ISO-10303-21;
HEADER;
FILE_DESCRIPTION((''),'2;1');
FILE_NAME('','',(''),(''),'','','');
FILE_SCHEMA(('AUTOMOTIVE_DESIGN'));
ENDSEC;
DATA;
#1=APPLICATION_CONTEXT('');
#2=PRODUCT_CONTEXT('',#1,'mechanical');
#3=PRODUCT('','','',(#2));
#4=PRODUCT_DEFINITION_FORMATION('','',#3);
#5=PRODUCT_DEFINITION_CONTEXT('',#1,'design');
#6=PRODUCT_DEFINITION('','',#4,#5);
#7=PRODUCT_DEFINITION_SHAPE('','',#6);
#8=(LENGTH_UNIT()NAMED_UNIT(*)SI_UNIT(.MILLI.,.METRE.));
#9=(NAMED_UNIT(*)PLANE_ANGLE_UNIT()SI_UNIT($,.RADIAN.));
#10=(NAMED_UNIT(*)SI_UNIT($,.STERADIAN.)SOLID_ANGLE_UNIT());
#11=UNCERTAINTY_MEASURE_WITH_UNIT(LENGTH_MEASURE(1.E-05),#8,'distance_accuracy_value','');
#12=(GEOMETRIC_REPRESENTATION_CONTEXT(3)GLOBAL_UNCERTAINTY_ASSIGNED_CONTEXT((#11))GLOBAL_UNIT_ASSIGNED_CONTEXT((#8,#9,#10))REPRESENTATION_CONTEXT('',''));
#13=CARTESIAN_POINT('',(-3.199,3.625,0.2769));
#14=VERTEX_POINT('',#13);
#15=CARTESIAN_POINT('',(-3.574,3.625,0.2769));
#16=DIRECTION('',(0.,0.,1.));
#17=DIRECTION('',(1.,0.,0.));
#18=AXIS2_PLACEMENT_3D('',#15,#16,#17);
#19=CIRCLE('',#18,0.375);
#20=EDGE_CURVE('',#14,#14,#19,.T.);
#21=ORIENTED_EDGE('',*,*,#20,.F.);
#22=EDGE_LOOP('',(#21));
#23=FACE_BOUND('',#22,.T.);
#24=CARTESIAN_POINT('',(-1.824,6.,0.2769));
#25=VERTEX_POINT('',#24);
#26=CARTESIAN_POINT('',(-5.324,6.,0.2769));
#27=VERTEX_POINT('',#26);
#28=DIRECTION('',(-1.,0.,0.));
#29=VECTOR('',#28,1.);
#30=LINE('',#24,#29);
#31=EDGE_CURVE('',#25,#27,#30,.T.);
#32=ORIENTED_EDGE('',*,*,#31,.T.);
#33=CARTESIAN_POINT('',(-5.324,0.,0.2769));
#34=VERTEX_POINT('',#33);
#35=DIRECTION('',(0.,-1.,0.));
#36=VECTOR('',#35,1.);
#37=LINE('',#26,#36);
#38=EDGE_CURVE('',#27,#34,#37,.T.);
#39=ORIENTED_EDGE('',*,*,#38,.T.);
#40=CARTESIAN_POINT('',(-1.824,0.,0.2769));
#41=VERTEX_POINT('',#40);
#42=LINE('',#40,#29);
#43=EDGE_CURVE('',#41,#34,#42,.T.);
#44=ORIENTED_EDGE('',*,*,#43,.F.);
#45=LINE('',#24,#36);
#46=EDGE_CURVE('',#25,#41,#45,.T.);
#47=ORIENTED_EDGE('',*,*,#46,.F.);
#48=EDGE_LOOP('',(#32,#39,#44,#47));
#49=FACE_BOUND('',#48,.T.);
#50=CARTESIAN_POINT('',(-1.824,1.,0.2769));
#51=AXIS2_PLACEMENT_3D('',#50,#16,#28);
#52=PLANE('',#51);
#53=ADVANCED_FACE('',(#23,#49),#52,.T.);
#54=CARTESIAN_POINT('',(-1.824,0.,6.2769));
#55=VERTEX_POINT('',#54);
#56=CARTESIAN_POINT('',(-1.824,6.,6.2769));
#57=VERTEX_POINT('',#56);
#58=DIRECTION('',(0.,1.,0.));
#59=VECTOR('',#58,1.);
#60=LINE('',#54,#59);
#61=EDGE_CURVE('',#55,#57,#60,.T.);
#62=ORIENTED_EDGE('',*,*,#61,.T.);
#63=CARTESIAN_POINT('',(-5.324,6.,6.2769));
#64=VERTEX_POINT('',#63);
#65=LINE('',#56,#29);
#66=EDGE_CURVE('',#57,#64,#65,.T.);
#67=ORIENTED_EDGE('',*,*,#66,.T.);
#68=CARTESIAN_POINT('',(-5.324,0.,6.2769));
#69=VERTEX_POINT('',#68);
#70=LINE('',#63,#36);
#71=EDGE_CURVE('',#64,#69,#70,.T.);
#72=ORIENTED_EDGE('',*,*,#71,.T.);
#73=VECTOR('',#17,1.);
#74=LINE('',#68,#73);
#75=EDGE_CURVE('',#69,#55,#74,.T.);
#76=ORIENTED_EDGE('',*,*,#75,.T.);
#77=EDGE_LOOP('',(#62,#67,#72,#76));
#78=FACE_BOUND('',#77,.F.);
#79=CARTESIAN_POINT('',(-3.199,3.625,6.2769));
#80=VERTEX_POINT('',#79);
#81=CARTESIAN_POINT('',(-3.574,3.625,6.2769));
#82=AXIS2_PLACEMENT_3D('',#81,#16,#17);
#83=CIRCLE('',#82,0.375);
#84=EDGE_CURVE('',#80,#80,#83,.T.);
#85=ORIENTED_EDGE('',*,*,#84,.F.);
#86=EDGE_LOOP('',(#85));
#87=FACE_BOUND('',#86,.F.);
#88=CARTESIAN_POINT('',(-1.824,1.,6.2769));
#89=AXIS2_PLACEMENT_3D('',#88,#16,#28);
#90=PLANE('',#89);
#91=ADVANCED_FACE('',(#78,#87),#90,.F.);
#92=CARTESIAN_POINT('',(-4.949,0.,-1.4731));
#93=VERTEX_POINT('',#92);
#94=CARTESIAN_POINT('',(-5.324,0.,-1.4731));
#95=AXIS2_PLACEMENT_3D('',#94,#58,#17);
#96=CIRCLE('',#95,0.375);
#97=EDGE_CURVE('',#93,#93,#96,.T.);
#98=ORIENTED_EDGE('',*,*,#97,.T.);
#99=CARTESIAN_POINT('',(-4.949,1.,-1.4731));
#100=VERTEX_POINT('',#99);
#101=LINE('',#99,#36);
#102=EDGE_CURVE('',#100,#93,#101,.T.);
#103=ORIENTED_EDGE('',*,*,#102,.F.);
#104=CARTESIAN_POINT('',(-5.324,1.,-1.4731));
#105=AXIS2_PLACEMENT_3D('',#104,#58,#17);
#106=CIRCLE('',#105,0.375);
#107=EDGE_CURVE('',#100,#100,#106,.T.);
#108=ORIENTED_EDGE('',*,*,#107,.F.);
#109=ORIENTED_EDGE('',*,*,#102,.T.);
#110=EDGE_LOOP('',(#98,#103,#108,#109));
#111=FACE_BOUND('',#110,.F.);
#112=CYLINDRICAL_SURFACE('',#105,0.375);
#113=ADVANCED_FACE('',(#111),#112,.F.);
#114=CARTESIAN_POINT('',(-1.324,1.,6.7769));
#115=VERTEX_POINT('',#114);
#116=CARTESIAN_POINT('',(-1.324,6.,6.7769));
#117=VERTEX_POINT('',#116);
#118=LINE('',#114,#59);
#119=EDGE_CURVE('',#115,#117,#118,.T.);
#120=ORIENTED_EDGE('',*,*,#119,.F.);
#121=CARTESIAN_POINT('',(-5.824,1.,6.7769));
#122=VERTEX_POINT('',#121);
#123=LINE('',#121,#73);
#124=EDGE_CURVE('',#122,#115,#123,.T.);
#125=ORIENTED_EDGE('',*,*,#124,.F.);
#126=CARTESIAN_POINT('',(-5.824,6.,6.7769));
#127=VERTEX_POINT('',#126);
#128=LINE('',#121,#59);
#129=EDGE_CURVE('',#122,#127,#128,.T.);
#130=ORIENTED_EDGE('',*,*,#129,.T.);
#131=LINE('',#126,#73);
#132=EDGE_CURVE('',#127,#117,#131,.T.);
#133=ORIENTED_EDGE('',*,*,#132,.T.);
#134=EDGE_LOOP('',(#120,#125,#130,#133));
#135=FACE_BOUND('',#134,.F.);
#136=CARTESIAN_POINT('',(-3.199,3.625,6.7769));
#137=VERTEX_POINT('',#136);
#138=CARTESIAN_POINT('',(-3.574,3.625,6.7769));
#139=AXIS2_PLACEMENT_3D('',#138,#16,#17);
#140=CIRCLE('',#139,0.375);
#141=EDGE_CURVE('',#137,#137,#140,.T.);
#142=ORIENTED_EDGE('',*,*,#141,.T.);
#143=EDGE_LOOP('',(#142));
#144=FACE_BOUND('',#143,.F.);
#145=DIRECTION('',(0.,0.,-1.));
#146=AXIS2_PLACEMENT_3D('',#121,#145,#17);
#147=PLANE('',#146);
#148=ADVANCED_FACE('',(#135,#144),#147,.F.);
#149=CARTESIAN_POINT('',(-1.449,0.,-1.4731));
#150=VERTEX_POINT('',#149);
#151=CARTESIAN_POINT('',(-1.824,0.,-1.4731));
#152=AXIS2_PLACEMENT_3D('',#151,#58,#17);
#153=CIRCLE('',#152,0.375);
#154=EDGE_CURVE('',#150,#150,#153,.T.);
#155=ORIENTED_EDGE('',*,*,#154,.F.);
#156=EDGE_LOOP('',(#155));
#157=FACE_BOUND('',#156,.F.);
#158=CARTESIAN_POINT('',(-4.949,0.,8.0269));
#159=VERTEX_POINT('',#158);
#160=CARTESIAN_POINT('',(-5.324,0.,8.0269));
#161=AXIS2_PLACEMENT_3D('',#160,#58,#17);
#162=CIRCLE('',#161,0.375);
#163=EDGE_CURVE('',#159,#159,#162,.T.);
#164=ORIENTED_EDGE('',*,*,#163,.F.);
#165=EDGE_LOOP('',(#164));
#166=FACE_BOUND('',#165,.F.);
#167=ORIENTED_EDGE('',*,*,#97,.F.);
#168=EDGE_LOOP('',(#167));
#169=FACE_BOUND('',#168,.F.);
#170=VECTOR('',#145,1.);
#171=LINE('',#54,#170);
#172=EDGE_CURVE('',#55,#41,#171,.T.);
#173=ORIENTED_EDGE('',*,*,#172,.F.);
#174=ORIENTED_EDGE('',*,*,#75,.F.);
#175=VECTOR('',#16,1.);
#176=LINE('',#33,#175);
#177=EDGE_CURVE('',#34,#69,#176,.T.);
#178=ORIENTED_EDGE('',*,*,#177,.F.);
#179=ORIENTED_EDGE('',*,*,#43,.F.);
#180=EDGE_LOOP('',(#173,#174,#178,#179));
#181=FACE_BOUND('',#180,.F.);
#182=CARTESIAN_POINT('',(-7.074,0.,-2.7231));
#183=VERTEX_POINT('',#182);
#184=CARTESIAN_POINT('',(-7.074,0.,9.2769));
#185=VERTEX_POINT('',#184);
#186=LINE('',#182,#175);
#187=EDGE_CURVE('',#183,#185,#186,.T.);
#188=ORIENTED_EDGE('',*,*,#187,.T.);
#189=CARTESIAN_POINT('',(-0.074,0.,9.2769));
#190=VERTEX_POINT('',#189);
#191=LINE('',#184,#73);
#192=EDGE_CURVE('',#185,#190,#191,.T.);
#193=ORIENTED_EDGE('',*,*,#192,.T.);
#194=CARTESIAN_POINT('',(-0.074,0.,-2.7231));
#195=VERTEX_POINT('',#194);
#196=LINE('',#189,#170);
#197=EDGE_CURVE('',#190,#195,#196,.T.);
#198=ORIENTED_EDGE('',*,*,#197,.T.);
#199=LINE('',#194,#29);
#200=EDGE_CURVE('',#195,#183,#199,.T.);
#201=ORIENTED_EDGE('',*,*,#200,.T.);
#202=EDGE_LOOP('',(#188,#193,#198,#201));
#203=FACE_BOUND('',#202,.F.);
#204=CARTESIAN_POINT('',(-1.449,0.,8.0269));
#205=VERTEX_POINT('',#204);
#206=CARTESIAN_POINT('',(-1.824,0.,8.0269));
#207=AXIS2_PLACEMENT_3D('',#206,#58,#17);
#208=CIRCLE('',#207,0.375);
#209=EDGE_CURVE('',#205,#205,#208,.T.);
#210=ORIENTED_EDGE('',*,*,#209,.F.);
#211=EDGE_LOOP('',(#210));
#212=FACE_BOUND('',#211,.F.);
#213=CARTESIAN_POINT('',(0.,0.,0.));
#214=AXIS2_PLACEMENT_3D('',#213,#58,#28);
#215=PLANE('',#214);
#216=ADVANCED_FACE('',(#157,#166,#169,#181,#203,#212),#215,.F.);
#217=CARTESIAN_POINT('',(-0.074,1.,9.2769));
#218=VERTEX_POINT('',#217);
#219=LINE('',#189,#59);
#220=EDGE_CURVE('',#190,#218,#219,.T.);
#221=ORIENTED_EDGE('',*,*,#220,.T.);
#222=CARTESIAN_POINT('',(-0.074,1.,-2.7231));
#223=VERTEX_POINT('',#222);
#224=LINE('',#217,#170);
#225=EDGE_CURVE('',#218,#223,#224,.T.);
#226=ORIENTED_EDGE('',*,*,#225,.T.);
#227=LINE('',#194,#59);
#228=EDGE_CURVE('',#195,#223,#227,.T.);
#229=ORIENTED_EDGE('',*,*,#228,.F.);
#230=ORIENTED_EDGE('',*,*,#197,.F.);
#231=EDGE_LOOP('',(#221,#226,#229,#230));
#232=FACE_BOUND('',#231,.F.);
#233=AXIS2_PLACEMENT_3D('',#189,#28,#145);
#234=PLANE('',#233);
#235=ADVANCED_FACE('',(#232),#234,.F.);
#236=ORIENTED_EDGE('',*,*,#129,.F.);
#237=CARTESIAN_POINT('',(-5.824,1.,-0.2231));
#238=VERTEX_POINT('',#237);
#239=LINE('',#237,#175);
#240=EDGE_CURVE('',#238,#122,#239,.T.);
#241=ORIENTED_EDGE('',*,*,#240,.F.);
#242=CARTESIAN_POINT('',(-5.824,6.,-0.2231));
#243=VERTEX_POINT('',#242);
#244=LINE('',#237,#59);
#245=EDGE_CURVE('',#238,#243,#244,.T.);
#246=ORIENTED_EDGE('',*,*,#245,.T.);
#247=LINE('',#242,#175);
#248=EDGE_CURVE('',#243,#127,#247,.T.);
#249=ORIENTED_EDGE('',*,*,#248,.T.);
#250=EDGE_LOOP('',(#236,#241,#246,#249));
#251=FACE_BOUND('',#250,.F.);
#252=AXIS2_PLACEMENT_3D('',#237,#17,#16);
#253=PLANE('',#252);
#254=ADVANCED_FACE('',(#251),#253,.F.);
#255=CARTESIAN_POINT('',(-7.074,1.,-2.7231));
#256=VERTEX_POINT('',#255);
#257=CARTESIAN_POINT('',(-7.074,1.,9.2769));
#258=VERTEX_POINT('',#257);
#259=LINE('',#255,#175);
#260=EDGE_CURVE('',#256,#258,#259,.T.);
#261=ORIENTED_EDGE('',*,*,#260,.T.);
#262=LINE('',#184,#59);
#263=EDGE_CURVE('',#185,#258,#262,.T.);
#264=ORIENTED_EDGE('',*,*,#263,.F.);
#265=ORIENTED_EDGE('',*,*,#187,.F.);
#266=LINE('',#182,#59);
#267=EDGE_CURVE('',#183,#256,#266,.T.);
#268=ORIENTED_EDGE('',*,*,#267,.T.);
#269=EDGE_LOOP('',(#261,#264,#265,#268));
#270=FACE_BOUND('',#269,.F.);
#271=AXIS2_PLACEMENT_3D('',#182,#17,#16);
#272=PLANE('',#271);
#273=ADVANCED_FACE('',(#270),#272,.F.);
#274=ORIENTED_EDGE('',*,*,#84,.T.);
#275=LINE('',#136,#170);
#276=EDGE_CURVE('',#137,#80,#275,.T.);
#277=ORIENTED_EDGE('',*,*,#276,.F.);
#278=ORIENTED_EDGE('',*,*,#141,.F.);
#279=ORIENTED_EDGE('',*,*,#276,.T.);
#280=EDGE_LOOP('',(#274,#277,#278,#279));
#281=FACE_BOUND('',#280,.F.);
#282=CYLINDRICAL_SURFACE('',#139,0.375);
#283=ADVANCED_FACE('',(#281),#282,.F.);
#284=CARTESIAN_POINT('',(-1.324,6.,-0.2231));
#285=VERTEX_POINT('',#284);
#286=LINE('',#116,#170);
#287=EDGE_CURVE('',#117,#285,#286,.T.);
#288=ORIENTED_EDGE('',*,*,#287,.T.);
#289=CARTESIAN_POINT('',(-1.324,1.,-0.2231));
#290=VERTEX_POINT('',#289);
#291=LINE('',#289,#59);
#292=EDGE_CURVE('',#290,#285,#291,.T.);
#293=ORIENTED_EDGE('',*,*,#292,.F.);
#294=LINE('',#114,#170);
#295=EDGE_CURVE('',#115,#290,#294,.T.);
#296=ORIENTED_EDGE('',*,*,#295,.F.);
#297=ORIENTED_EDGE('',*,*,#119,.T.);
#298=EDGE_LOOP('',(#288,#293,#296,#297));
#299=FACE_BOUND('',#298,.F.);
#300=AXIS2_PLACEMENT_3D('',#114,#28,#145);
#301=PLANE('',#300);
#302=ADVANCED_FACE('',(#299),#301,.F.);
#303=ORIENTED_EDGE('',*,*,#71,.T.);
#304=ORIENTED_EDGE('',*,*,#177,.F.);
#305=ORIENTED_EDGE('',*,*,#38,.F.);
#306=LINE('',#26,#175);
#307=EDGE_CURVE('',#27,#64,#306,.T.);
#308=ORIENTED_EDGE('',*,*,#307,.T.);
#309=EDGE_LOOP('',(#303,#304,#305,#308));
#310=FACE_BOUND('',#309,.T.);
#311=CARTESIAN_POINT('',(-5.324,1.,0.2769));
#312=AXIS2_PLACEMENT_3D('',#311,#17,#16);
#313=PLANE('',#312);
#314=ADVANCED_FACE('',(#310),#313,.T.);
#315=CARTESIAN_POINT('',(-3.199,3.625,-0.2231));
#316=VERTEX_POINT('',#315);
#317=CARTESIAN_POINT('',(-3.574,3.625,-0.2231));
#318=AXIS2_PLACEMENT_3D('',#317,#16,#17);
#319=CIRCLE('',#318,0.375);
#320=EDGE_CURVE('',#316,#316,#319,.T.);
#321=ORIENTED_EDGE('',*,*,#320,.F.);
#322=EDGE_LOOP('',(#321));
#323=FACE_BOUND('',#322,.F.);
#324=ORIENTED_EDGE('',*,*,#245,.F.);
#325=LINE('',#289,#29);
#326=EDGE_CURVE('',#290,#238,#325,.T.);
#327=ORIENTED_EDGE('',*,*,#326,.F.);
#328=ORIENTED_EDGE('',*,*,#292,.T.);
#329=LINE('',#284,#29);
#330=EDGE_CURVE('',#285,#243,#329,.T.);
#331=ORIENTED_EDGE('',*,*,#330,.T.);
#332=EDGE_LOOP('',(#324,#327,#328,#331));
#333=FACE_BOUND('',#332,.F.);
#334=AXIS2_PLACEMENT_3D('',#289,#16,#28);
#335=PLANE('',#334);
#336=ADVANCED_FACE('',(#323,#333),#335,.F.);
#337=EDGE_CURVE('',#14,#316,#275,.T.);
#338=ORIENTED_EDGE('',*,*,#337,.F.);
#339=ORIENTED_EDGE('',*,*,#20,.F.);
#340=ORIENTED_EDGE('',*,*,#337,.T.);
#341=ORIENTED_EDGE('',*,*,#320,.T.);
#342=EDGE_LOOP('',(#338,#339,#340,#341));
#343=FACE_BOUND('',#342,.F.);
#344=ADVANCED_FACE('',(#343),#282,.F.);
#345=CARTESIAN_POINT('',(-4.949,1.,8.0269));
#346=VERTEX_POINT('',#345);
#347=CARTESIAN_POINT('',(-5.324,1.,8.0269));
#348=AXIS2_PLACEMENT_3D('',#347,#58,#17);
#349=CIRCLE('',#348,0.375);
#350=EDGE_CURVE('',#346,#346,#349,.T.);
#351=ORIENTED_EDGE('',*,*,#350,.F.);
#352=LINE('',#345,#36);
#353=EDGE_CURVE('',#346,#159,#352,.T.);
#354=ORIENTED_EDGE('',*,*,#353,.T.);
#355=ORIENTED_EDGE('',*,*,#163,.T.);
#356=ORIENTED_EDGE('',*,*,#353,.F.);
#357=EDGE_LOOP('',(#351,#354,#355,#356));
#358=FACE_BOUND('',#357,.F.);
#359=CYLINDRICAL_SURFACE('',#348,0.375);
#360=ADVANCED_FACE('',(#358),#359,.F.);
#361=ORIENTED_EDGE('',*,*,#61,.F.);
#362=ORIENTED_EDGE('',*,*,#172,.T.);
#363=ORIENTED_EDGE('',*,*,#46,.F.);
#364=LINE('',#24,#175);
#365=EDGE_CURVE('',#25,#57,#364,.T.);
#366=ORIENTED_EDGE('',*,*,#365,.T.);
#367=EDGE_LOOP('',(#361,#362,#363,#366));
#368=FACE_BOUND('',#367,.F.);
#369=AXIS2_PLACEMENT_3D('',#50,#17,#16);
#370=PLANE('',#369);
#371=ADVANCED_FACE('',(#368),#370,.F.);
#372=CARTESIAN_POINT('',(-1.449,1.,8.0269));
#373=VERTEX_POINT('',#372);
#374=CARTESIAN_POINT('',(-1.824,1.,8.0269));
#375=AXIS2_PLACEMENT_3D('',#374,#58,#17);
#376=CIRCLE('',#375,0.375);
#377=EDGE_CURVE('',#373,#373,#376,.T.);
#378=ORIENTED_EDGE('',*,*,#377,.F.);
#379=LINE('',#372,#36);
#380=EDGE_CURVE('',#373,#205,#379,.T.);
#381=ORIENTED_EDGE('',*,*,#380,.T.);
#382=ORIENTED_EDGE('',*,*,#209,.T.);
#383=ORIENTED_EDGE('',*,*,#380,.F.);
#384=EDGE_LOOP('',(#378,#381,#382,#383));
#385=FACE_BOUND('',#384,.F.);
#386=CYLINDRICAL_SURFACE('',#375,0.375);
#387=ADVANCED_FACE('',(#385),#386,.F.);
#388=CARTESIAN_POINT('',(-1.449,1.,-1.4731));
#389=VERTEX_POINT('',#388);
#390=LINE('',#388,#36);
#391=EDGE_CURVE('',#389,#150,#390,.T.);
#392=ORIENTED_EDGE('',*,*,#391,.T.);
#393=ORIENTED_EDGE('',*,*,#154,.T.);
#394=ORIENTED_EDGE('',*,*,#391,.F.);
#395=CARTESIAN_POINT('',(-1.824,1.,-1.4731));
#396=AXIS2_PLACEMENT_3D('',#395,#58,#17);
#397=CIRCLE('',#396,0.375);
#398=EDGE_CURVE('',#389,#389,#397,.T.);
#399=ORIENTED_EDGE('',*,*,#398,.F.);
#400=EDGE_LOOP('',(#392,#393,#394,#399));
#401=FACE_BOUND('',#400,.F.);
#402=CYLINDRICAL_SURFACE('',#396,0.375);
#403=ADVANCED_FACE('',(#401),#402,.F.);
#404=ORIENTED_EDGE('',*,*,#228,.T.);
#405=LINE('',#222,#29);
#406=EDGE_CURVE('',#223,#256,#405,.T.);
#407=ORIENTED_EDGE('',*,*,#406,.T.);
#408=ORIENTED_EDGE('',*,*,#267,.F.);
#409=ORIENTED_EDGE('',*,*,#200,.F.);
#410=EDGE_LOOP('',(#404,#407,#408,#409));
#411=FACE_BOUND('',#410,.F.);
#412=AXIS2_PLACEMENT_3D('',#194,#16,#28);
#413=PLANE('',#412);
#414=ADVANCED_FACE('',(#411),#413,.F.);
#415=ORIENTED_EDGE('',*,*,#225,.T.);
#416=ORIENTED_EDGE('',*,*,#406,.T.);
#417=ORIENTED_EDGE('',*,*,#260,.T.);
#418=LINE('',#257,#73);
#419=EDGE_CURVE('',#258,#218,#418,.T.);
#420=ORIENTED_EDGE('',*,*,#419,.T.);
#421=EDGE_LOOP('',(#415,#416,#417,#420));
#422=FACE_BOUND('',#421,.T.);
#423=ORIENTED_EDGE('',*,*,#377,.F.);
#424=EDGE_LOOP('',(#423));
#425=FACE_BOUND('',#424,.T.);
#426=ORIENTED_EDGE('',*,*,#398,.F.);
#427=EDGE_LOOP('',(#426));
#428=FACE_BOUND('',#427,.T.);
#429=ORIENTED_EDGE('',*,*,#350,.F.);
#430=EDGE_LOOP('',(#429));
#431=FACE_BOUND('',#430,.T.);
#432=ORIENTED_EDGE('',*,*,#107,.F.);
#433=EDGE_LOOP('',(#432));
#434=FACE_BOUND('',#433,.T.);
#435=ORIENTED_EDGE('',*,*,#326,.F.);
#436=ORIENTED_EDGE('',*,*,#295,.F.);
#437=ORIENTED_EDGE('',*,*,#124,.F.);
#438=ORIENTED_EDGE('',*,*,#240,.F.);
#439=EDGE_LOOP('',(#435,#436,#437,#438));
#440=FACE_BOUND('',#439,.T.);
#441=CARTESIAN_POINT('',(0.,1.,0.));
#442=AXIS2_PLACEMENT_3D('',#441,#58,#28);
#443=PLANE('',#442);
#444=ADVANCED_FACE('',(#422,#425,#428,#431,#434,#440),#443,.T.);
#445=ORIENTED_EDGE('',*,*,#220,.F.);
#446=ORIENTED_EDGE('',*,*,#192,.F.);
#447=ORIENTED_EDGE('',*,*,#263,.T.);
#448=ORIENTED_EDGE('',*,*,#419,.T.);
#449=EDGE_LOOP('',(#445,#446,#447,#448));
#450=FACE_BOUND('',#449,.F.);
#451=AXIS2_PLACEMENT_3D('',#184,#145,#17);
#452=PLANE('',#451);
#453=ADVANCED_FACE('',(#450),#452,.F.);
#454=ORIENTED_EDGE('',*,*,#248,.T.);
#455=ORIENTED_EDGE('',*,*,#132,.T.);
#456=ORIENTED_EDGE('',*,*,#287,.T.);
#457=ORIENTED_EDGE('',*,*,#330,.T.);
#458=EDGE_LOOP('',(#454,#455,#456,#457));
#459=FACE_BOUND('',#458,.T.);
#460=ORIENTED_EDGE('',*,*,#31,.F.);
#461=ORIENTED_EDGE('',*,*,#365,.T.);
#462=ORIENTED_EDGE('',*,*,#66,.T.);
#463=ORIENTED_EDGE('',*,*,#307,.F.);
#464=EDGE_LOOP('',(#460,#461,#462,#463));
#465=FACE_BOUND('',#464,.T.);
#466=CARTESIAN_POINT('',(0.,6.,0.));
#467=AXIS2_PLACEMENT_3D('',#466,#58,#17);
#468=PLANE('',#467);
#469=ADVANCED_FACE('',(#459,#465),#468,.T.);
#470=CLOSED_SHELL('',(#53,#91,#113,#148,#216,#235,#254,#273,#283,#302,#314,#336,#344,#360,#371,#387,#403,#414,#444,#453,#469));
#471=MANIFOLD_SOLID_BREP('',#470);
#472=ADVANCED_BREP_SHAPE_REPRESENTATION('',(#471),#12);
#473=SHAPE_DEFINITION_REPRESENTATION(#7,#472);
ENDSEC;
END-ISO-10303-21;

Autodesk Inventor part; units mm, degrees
ref_plane "YZ Plane" through (0, 0, 0) normal (1, 0, 0) x (0, 1, 0)
ref_plane "XZ Plane" through (0, 0, 0) normal (0, 1, 0) x (-1, 0, 0)
ref_plane "XY Plane" through (0, 0, 0) normal (0, 0, 1) x (1, 0, 0)
sketch "Sketch1" plane through (0, 0, 0) normal (0, 1, 0) x (-1, 0, 0)
  line L0 (7.074, 9.2769) -> (0.074, 9.2769)
  line L1 (0.074, 9.2769) -> (0.074, -2.7231)
  line L2 (0.074, -2.7231) -> (7.074, -2.7231)
  line L3 (7.074, -2.7231) -> (7.074, 9.2769)
  line L4 (5.324, 6.2769) -> (1.824, 6.2769)
  line L5 (1.824, 6.2769) -> (1.824, 0.2769)
  line L6 (1.824, 0.2769) -> (5.324, 0.2769)
  line L7 (5.324, 0.2769) -> (5.324, 6.2769)
  point P0 (0, 0)
  dimension "d0" = 7
  dimension "d1" = 12
  dimension "d28" = 1.75
  dimension "d29" = 1.75
  dimension "d30" = 3
  dimension "d31" = 3
extrude "Extrusion1" add sketch "Sketch1" along normal blind 1
sketch "Sketch3" plane through (0, 1, 0) normal (0, 1, 0) x (1, 0, 0)
  circle A0 centre (-5.324, -8.0269) radius 0.375
  line L0 (-7.074, -9.2769) -> (-0.074, -9.2769) projected
  line L1 (-7.074, 2.7231) -> (-7.074, -9.2769) projected
  circle A1 centre (-1.824, -8.0269) radius 0.375
  circle A2 centre (-5.324, 1.4731) radius 0.375
  circle A3 centre (-1.824, 1.4731) radius 0.375
  point P0 (0, 0)
  dimension "d8" = 0.75
  dimension "d9" = 1.25
  dimension "d10" = 1.75
  dimension "d13" = 3.5
  dimension "d16" = 9.5
extrude "Extrusion3" cut sketch "Sketch3" against normal blind 5
sketch "Sketch7" plane through (0, 1, 0) normal (0, 1, 0) x (1, 0, 0)
  line L0 (-1.824, -6.2769) -> (-5.324, -6.2769) projected
  line L1 (-1.824, -0.2769) -> (-1.824, -6.2769) projected
  line L2 (-5.324, -6.2769) -> (-1.824, -6.2769)
  line L3 (-1.824, -6.2769) -> (-1.824, -0.2769)
  line L4 (-1.824, -0.2769) -> (-5.324, -0.2769)
  line L5 (-5.324, -0.2769) -> (-5.324, -6.2769)
  line L6 (-5.824, -6.7769) -> (-1.324, -6.7769)
  line L7 (-1.324, -6.7769) -> (-1.324, 0.2231)
  line L8 (-1.324, 0.2231) -> (-5.824, 0.2231)
  line L9 (-5.824, 0.2231) -> (-5.824, -6.7769)
  point P0 (0, 0)
  dimension "d32" = 0.5
extrude "Extrusion5" add sketch "Sketch7" along normal blind 5
sketch "Sketch8" plane through (-5.824, 1, 6.7769) normal (0, 0, 1) x (1, 0, 0)
  circle A0 centre (2.25, 2.625) radius 0.375
  line L0 (0, 5) -> (4.5, 5) projected
  line L1 (0, 0) -> (0, 5) projected
  point P0 (5.824, -1)
  dimension "d35" = 0.75
  dimension "d36" = 2
  dimension "d37" = 2.25
extrude "Extrusion6" cut sketch "Sketch8" against normal through all
properties part number "Lens Holder"
